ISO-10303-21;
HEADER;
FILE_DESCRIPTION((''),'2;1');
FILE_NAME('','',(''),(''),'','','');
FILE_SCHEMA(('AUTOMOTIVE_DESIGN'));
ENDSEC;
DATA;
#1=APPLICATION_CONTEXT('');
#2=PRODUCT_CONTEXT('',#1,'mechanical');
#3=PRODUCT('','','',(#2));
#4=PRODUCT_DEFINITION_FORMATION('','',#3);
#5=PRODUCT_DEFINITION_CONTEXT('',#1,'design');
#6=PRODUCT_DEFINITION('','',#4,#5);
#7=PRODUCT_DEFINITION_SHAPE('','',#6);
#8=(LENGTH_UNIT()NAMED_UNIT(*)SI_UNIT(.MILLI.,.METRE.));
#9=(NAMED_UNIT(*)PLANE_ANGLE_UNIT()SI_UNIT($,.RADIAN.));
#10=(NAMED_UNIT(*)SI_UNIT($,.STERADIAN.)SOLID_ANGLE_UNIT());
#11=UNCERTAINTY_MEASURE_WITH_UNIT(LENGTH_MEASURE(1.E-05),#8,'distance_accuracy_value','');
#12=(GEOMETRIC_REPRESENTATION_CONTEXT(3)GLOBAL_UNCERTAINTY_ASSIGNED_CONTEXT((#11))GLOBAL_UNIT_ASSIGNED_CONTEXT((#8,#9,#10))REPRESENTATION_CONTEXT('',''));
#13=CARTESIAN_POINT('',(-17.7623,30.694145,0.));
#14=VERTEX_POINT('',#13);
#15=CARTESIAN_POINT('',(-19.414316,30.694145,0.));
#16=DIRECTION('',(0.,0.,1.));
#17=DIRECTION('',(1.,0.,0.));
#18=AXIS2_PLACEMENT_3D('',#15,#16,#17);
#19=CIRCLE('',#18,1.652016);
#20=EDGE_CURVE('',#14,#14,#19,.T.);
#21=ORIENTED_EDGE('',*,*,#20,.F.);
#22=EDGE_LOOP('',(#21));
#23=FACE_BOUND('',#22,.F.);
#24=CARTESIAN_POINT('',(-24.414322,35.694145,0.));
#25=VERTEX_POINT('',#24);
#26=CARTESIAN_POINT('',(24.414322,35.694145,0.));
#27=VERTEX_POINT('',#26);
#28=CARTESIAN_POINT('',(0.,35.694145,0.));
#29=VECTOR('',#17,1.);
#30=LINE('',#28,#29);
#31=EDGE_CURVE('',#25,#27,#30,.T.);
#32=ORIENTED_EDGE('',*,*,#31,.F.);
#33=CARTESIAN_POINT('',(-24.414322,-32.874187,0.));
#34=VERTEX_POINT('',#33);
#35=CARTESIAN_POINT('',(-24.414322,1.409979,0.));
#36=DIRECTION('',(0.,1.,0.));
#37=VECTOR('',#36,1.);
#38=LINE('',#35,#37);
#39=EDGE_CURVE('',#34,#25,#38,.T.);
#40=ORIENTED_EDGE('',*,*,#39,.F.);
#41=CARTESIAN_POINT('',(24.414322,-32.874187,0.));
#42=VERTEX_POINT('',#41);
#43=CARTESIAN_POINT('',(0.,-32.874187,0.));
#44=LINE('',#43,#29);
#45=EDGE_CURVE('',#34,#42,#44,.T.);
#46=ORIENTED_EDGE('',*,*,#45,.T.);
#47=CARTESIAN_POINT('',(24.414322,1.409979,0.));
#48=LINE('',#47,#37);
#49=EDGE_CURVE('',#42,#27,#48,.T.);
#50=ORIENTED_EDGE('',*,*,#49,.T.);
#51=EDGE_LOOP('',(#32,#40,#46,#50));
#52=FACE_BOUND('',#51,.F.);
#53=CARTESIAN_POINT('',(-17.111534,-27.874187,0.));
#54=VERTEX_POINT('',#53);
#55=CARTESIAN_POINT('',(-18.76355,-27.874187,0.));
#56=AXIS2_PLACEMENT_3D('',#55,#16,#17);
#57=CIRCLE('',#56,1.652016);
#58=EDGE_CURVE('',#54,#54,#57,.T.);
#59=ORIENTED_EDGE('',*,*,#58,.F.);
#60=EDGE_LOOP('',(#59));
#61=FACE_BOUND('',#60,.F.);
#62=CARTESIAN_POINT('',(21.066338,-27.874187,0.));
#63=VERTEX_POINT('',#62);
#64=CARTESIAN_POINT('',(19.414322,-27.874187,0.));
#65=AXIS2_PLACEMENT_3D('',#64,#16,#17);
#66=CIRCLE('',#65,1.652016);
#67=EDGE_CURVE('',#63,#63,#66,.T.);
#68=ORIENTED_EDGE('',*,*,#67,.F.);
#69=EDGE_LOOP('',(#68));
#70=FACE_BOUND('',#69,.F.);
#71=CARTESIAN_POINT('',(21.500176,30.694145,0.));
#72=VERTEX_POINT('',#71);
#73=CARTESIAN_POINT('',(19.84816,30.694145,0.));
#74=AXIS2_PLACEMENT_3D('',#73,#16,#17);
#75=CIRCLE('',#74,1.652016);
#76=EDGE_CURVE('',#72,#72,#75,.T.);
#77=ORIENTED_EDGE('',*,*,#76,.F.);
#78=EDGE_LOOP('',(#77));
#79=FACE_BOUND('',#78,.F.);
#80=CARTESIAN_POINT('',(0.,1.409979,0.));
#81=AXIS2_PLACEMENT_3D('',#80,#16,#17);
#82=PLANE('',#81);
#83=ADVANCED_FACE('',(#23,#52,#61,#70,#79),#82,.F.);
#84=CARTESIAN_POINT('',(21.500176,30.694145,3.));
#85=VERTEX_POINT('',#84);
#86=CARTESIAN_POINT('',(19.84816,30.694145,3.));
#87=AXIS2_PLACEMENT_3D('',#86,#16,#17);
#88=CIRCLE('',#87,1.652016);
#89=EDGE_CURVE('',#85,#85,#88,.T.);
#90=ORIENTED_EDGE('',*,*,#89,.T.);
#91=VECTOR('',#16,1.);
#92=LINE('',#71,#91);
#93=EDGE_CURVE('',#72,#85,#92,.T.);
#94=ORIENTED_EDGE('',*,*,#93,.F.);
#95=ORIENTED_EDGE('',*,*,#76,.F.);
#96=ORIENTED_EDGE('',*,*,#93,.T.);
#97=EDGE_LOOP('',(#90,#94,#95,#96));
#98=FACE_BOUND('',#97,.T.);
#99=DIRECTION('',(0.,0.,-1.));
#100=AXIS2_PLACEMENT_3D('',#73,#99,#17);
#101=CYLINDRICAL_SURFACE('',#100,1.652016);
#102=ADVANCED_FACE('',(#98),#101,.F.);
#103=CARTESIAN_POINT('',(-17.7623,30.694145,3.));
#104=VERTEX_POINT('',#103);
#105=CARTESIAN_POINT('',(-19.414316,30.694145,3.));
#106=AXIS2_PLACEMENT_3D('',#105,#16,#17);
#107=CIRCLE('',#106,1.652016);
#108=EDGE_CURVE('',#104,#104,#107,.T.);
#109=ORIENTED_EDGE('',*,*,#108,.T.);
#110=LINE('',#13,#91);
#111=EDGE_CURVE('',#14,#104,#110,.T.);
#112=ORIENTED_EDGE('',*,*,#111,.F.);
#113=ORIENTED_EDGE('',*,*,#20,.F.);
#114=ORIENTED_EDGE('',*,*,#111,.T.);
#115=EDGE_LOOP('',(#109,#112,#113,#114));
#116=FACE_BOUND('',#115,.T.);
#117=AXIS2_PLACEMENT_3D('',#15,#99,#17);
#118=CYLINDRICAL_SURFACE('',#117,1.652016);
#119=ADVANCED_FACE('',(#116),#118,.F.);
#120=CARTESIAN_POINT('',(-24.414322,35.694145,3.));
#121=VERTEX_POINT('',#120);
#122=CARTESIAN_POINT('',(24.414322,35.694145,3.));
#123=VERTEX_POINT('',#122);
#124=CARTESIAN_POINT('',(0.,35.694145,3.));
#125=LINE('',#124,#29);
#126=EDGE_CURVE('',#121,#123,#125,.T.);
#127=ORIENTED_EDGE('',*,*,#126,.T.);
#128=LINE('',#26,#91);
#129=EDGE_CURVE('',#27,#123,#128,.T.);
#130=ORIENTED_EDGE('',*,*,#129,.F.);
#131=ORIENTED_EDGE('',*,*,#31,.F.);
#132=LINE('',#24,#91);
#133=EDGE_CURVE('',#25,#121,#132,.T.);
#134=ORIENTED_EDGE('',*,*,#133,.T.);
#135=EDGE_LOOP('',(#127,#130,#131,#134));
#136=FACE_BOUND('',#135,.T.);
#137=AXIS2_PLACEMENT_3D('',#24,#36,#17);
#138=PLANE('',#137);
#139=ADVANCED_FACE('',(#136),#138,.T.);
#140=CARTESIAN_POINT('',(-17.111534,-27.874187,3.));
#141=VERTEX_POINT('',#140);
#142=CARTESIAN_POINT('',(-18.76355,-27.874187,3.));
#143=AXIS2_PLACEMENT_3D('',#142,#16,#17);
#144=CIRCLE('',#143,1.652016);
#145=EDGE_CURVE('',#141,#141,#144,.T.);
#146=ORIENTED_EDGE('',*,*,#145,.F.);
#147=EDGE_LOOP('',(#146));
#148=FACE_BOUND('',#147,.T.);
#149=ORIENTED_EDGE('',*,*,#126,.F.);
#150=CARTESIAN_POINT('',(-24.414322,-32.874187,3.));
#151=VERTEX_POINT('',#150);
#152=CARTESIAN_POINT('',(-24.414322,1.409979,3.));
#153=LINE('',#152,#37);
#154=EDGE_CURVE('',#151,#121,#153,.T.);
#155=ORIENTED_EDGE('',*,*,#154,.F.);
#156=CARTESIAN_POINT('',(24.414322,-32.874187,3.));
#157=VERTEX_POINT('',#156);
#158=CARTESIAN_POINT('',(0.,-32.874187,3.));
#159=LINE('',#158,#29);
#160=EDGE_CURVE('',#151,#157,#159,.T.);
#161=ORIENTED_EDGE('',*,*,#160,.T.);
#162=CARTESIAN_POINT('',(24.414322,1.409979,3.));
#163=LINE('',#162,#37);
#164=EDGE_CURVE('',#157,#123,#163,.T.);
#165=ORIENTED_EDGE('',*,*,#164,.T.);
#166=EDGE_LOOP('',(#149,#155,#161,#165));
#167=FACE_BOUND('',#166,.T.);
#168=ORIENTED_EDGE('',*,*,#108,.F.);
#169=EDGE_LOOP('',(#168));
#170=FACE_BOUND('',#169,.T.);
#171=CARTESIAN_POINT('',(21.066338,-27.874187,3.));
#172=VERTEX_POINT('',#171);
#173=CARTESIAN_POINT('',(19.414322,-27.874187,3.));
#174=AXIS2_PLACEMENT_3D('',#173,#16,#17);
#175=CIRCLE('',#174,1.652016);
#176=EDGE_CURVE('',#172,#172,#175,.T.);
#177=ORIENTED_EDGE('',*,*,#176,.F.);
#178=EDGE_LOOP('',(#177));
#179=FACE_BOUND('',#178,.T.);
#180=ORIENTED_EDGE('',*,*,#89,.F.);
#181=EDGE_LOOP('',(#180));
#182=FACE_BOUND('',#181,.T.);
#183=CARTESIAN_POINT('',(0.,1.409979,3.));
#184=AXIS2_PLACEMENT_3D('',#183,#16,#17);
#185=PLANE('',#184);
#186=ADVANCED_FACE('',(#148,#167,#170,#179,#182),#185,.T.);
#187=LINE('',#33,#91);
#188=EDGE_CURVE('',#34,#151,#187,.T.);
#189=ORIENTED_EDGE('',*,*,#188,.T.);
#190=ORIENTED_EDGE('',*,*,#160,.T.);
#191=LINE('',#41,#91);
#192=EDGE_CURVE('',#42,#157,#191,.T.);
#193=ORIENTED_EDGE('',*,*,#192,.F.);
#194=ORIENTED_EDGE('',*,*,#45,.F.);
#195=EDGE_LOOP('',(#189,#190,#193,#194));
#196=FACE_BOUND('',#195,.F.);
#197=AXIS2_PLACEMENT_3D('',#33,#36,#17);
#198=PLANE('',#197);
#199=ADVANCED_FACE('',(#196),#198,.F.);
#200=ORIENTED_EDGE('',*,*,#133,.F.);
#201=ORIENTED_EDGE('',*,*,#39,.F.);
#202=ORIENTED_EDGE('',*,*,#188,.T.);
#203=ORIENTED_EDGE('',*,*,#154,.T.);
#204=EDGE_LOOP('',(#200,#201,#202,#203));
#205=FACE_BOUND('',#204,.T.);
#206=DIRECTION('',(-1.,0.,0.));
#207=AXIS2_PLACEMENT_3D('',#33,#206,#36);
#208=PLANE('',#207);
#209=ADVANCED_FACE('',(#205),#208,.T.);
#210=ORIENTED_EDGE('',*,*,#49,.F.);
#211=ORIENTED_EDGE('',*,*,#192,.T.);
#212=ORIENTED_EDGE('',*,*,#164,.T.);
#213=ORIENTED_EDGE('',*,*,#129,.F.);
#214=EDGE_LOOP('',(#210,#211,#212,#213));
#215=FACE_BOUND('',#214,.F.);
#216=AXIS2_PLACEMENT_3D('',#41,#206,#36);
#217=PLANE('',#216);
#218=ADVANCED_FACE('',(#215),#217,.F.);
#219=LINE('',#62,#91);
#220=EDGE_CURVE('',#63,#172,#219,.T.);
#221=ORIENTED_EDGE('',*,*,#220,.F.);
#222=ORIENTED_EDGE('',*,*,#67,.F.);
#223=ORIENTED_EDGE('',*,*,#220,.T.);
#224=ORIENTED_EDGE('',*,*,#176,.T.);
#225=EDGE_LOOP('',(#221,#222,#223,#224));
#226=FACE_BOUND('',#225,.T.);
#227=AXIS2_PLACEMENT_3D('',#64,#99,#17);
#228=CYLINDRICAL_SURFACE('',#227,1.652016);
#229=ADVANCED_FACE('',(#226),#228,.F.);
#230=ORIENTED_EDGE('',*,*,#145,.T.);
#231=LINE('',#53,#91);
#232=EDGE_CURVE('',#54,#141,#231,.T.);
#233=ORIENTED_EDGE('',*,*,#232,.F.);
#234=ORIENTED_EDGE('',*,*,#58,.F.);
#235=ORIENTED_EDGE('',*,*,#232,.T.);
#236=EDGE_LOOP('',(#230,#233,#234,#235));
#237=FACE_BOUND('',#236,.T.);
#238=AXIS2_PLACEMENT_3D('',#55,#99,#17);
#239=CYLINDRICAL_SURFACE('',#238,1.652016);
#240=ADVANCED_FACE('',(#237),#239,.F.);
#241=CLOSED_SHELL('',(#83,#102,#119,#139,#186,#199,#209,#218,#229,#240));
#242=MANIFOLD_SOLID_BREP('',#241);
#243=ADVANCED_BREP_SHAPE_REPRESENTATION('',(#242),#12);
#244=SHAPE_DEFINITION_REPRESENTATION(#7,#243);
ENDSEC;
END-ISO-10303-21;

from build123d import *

# Parameters (mm, degrees)
SKETCH_W  = 48.828644
SKETCH_H  = 68.568332
SKETCH_R  = 1.652016
PAD_DEPTH = 3


with BuildPart() as part:
    # Sketch → Pad (new body)
    with BuildSketch(Plane.XY):
        with Locations((0, 1.409979)):
            Rectangle(SKETCH_W, SKETCH_H)
        with Locations((-19.414316, 30.694145)):
            Circle(SKETCH_R, mode=Mode.SUBTRACT)
        with Locations((19.84816, 30.694145)):
            Circle(SKETCH_R, mode=Mode.SUBTRACT)
        with Locations((19.414322, -27.874187)):
            Circle(SKETCH_R, mode=Mode.SUBTRACT)
        with Locations((-18.76355, -27.874187)):
            Circle(SKETCH_R, mode=Mode.SUBTRACT)
    extrude(amount=PAD_DEPTH)


solid = part.part
